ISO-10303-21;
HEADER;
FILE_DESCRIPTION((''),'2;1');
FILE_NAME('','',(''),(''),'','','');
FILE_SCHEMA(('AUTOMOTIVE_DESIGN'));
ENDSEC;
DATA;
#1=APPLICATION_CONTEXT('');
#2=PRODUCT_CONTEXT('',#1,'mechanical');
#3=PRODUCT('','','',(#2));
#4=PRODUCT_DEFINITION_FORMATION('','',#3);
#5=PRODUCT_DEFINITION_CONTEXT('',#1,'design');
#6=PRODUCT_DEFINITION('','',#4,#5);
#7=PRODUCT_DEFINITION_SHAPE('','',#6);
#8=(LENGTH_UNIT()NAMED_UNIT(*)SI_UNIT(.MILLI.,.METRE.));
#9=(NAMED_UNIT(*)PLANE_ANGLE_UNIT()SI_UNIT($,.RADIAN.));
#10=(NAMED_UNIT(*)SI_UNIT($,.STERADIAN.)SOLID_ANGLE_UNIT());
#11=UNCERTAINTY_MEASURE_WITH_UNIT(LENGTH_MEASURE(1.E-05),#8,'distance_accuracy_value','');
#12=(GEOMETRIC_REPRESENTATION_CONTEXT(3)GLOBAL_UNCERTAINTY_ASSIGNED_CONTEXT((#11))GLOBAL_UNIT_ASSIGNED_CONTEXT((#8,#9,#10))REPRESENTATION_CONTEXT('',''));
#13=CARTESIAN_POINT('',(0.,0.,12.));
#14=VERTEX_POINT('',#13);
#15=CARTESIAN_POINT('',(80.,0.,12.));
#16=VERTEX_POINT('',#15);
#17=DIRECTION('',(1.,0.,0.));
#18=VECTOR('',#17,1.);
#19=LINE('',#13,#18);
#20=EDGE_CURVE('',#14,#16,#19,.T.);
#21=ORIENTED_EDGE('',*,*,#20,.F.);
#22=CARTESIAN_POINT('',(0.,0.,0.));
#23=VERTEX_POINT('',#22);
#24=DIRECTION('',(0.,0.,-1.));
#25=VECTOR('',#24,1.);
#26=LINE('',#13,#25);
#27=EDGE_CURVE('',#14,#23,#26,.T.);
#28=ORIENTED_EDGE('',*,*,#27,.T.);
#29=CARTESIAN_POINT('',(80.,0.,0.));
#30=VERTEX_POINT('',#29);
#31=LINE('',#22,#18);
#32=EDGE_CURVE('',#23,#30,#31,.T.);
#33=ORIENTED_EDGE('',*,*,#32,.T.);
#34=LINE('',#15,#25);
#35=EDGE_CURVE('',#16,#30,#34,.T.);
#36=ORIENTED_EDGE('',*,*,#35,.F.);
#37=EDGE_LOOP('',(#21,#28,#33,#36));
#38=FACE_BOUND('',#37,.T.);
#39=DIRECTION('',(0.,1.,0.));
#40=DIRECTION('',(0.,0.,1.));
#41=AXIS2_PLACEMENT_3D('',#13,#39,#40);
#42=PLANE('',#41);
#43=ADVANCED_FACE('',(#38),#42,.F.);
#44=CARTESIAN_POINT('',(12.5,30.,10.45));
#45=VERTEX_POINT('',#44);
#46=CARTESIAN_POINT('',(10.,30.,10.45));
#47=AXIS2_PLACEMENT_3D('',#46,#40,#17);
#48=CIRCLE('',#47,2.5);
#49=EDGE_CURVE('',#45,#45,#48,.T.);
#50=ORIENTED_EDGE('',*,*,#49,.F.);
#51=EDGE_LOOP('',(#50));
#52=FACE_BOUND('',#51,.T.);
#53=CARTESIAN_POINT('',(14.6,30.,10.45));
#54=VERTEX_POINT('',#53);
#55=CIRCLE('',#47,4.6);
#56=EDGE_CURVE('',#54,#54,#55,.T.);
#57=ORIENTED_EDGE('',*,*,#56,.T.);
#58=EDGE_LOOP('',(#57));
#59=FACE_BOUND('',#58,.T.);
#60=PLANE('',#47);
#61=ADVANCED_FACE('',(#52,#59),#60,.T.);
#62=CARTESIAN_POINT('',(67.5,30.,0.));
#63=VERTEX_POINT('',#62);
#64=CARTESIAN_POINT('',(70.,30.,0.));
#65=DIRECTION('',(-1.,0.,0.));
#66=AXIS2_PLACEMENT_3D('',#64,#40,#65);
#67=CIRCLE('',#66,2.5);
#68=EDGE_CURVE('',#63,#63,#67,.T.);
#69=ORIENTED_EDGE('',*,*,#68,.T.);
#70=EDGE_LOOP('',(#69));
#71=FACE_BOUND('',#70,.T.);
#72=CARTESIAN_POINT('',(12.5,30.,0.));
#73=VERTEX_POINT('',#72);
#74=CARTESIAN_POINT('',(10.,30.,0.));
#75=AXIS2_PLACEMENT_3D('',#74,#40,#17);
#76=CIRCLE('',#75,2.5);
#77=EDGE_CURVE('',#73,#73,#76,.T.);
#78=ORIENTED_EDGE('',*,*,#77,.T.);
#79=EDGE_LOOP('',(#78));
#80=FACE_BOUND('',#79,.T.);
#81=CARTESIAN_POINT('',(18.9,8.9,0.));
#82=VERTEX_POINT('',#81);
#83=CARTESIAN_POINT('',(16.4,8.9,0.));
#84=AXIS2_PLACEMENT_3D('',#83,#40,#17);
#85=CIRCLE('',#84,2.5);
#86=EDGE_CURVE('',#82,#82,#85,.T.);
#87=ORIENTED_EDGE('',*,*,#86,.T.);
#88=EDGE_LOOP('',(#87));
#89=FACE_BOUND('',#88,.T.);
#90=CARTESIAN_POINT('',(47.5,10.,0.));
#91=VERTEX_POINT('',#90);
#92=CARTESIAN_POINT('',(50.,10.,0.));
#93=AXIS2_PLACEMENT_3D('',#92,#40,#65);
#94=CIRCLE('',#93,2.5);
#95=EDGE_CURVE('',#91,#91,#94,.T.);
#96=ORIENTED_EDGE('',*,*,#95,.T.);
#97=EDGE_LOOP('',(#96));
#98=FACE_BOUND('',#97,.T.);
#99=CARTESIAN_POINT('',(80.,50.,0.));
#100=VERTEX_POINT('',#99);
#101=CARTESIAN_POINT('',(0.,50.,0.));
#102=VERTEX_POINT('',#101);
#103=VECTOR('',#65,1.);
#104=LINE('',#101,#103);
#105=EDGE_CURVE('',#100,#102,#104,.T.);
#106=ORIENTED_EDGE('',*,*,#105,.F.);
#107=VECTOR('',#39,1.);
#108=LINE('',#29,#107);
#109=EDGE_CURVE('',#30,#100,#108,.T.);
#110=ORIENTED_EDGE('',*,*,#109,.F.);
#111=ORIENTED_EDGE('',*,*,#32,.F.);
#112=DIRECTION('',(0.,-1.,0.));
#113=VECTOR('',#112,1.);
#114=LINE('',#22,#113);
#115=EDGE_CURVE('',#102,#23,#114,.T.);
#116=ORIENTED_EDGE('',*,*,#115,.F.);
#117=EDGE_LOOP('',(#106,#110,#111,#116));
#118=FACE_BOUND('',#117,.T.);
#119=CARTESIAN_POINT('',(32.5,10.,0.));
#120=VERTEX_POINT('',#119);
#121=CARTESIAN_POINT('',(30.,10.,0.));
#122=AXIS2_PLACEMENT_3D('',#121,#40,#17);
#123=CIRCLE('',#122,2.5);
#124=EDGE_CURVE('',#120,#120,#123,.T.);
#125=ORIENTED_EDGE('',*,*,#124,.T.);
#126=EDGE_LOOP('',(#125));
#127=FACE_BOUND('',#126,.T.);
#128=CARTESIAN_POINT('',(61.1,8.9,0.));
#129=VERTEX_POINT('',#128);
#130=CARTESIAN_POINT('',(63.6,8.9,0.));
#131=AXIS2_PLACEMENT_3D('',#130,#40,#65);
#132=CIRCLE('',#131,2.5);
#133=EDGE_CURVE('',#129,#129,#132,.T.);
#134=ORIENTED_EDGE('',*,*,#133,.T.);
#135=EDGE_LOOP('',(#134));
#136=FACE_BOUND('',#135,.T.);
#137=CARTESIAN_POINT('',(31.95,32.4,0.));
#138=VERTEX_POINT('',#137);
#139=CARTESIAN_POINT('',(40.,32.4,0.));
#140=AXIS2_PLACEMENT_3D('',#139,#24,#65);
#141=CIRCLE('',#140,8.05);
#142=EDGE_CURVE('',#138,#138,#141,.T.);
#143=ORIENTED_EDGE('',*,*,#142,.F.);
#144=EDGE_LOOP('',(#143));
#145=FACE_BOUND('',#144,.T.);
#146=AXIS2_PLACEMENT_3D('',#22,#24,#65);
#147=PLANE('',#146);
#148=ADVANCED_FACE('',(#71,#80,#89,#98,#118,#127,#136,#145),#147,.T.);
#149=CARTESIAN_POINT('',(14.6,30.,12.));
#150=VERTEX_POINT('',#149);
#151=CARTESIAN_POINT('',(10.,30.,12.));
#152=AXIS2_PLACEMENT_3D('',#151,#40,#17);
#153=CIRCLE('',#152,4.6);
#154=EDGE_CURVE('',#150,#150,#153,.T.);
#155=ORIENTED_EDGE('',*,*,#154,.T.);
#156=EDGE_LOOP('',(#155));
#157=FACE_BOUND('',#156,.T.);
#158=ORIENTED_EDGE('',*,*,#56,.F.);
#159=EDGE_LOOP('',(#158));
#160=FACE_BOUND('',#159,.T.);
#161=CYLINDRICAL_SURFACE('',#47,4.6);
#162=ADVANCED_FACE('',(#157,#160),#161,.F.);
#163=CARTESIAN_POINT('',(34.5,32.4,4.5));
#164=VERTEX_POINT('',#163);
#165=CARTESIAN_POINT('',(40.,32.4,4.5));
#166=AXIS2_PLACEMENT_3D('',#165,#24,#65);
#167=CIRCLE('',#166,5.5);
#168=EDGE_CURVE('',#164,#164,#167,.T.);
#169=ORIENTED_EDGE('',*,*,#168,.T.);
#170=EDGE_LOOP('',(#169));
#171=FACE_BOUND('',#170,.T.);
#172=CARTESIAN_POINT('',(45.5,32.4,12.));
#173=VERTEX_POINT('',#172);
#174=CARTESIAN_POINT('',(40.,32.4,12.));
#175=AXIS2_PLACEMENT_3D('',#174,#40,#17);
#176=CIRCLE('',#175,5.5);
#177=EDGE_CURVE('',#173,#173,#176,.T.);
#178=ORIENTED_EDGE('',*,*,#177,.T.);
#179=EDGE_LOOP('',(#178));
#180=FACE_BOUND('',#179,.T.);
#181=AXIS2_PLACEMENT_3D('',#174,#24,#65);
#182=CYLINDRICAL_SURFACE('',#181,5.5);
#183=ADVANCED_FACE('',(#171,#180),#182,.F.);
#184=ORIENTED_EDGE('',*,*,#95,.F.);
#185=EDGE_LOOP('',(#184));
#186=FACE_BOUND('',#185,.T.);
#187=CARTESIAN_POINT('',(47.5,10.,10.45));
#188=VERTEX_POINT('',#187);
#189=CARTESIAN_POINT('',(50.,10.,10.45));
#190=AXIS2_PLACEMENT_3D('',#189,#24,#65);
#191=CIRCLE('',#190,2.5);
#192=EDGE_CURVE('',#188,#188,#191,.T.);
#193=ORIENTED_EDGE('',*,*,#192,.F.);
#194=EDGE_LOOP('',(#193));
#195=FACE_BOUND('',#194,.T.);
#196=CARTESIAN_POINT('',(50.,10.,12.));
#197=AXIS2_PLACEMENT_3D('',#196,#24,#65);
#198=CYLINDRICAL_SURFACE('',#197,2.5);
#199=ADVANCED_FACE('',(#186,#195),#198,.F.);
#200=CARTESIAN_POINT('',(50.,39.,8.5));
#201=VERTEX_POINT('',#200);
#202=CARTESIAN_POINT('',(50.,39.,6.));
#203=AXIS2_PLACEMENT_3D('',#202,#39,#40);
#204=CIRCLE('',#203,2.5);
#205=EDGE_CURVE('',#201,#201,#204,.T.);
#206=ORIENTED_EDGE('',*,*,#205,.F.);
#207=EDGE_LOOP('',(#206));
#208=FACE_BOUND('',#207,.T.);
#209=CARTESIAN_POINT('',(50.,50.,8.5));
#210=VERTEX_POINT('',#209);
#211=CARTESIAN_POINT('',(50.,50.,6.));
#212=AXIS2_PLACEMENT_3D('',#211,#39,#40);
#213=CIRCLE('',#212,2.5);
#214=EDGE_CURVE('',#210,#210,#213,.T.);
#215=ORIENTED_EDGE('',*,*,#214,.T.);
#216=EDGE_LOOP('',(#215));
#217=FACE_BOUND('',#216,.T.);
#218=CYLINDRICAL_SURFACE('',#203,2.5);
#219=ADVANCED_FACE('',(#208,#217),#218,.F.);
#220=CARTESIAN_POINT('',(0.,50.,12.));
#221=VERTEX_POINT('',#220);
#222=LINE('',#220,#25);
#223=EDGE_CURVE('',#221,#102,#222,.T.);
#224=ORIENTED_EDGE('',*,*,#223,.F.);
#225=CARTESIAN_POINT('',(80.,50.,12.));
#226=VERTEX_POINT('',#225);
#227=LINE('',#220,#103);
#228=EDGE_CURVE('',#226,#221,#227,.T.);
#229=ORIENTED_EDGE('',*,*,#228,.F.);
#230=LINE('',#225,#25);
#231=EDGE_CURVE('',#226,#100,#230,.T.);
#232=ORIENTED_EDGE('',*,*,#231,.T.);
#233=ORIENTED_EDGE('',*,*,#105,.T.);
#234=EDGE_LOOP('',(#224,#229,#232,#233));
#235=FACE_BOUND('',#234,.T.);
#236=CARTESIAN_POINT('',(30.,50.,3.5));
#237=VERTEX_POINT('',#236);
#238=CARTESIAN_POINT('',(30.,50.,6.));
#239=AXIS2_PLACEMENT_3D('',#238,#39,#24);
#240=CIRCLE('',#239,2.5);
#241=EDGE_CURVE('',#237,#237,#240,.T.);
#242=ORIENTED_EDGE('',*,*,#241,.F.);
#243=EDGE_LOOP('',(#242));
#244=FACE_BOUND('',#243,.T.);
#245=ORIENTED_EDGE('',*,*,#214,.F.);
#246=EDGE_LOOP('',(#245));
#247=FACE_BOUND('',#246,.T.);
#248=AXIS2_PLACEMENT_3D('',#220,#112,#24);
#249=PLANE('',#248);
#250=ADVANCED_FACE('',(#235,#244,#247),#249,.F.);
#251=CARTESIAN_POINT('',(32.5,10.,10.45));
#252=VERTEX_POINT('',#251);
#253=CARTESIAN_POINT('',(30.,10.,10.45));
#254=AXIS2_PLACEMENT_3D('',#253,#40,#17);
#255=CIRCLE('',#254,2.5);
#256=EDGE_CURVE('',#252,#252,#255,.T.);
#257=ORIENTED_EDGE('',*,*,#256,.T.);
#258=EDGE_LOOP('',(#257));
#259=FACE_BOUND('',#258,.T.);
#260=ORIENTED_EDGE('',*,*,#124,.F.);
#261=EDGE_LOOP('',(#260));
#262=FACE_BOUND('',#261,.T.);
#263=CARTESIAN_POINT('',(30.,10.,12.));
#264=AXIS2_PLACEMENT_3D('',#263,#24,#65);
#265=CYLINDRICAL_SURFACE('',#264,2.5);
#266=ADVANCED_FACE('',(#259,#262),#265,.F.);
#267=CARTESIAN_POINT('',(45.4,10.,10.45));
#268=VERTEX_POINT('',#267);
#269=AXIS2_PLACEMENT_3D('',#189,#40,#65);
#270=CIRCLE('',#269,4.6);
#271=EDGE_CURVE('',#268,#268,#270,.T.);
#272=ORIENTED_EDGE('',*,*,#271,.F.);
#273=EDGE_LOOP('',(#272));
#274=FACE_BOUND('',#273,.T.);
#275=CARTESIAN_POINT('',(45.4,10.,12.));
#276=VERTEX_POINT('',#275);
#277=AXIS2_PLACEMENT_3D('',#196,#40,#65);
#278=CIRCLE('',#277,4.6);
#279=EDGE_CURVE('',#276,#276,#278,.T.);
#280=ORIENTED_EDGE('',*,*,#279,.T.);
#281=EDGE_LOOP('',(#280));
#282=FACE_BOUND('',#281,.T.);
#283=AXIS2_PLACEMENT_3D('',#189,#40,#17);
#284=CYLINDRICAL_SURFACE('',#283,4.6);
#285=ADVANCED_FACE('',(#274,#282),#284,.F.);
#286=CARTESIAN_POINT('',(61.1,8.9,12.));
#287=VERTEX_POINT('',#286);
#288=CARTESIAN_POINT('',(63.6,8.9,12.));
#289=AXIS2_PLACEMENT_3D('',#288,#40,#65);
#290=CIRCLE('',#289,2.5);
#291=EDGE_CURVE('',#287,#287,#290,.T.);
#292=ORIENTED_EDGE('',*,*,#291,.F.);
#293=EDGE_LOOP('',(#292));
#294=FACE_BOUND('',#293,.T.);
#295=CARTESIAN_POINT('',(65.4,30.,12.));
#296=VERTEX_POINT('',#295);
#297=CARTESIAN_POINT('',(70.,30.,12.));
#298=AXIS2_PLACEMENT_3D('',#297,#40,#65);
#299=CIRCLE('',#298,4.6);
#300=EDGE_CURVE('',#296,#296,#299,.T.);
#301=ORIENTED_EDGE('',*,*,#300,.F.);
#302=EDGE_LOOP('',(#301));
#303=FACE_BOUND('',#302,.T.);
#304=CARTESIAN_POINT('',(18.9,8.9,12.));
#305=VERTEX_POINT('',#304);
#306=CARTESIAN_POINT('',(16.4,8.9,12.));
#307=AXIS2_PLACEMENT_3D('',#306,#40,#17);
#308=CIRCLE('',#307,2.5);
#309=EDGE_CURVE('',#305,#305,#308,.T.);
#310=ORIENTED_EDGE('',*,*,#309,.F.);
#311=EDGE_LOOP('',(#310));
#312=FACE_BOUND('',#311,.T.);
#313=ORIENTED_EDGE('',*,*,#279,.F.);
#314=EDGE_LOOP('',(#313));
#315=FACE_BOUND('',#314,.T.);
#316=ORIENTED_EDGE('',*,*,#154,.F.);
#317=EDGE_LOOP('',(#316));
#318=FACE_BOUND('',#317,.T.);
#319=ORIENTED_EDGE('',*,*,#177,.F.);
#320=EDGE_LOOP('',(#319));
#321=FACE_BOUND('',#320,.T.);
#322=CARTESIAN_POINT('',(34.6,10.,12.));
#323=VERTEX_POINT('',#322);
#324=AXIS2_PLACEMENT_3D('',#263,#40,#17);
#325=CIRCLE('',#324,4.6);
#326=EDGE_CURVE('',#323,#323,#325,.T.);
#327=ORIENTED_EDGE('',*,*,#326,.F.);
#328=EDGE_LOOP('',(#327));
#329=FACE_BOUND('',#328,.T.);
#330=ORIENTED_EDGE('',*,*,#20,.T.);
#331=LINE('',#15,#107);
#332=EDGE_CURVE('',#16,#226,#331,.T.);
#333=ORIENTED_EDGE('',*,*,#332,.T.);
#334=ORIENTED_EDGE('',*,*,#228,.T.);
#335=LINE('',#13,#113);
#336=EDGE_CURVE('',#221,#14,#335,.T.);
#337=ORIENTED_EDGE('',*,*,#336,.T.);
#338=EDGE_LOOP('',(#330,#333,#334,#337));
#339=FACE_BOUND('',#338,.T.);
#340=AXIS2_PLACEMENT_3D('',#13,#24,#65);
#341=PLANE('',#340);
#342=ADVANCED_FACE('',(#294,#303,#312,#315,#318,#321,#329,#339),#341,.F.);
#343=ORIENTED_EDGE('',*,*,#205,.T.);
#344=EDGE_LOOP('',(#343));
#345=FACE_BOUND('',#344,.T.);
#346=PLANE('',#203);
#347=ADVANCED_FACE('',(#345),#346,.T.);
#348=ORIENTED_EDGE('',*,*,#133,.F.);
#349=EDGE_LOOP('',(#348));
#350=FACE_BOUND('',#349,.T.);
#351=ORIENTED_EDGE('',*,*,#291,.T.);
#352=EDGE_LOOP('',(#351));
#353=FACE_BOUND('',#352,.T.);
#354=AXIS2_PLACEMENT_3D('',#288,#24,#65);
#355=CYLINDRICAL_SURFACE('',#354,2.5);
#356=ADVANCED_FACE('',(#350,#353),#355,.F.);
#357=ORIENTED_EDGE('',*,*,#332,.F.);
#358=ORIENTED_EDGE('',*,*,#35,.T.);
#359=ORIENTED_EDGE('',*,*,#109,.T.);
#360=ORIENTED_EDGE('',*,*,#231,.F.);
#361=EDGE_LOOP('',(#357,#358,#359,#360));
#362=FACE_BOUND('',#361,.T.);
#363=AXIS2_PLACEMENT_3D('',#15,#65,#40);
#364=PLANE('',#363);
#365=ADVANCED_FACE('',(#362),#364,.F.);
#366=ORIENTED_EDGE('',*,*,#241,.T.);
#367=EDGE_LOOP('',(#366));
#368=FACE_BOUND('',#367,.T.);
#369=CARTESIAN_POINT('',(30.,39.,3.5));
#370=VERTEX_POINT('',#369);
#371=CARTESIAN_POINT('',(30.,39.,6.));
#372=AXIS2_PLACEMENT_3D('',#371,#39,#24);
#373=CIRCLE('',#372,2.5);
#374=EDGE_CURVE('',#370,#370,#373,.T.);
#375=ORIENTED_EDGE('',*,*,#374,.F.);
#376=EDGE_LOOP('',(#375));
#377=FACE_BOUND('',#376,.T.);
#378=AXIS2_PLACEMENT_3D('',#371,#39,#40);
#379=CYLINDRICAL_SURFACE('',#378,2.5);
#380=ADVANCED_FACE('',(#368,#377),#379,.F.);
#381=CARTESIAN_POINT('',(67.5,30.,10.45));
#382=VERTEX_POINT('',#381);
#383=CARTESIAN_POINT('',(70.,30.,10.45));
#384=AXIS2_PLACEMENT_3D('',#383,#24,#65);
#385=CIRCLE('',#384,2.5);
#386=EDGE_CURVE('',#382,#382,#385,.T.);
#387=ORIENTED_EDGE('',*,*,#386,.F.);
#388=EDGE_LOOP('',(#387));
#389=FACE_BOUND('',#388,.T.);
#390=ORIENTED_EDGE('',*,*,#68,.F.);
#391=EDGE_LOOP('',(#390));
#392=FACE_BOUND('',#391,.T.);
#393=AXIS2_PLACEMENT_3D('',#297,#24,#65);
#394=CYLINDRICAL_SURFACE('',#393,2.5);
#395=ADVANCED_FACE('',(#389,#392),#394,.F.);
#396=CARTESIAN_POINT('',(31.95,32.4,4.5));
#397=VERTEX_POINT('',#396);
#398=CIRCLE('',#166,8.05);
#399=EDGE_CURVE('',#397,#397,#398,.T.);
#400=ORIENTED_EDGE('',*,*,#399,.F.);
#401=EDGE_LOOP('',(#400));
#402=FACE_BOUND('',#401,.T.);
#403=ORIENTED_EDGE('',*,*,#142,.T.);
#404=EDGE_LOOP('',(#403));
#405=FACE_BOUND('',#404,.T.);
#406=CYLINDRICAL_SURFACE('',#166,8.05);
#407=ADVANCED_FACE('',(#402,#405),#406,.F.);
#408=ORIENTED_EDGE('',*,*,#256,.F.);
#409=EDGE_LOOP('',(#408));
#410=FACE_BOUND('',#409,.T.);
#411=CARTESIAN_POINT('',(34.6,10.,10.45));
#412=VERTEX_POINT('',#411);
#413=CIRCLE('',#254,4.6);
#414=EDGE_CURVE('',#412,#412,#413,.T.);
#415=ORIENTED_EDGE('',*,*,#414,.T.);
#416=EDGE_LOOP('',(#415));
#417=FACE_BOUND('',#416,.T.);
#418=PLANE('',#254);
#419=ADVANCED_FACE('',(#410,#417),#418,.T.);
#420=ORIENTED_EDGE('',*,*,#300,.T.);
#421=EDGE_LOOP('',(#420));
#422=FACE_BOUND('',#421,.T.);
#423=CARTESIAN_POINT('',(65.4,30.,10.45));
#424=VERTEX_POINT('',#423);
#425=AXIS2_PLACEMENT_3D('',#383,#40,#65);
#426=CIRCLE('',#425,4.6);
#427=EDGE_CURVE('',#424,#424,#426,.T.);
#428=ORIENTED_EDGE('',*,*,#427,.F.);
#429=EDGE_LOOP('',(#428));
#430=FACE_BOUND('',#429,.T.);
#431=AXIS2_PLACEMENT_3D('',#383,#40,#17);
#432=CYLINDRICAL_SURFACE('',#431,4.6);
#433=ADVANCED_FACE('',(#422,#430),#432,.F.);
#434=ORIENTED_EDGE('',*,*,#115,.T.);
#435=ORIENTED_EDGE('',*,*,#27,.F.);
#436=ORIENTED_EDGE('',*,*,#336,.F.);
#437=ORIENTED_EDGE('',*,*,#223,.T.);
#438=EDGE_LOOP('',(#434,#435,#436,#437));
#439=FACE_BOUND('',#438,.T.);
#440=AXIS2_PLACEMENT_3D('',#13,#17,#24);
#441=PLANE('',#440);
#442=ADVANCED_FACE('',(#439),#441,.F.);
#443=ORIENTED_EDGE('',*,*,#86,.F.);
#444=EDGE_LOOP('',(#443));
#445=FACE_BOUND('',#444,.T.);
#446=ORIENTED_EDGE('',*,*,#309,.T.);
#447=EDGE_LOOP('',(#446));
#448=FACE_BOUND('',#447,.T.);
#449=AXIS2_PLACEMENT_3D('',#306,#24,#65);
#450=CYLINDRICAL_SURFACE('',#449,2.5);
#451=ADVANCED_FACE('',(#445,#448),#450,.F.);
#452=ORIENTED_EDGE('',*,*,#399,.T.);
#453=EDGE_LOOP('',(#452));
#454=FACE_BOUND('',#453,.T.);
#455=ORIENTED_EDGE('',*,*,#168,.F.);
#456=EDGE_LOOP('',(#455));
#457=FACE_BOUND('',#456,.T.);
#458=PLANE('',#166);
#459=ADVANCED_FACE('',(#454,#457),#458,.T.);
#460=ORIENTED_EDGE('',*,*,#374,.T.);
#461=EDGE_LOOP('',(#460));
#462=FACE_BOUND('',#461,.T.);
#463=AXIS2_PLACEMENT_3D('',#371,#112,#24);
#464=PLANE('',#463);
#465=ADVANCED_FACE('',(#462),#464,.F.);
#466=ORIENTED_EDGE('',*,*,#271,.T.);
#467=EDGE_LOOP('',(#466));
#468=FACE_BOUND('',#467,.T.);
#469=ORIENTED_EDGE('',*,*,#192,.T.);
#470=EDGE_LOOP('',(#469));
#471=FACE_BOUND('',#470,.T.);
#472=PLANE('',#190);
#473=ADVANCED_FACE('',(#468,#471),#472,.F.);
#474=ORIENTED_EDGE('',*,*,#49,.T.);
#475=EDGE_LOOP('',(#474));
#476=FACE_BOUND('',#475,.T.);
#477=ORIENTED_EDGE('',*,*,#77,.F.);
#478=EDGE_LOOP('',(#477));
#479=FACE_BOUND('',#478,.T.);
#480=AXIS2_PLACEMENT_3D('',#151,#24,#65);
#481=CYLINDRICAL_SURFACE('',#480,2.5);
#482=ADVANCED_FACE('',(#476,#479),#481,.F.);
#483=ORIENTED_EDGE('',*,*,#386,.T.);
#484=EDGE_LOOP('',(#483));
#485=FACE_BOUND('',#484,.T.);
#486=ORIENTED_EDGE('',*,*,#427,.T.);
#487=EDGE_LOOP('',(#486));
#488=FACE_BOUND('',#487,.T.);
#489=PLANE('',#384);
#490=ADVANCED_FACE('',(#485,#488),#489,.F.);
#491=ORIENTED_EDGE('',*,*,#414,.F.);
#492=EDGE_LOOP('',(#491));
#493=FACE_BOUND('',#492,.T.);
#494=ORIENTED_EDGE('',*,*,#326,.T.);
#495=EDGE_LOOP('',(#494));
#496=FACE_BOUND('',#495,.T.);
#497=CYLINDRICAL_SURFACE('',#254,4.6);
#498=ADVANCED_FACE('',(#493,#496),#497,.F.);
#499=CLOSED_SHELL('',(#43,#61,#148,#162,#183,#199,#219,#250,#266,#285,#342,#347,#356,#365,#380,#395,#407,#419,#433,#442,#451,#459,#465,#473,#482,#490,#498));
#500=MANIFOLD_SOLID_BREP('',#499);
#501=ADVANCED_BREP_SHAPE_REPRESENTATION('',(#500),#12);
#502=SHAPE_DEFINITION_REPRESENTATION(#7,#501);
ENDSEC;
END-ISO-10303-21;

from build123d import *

# Parameters (mm, degrees)
SKETCH1_W           = 80
SKETCH1_H           = 50
SKETCH1_R           = 5.5
SKETCH1_R_2         = 2.5
BOSS_EXTRUDE1_DEPTH = 12
SKETCH2_R           = 4.6
CUT_EXTRUDE1_DEPTH  = 1.55
SKETCH3_R           = 8.05
CUT_EXTRUDE2_DEPTH  = 4.5
SKETCH4_R           = 2.5
CUT_EXTRUDE3_DEPTH  = 11


with BuildPart() as part:
    # Sketch1 → Boss-Extrude1 (new body)
    with BuildSketch(Plane.XY):
        with Locations((40, 25)):
            Rectangle(SKETCH1_W, SKETCH1_H)
        with Locations((40, 32.4)):
            Circle(SKETCH1_R, mode=Mode.SUBTRACT)
        with Locations((10, 30)):
            Circle(SKETCH1_R_2, mode=Mode.SUBTRACT)
        with Locations((70, 30)):
            Circle(SKETCH1_R_2, mode=Mode.SUBTRACT)
        with Locations((30, 10)):
            Circle(SKETCH1_R_2, mode=Mode.SUBTRACT)
        with Locations((50, 10)):
            Circle(SKETCH1_R_2, mode=Mode.SUBTRACT)
        with Locations((16.4, 8.9)):
            Circle(SKETCH1_R_2, mode=Mode.SUBTRACT)
        with Locations((63.6, 8.9)):
            Circle(SKETCH1_R_2, mode=Mode.SUBTRACT)
    extrude(amount=BOSS_EXTRUDE1_DEPTH)

    # Sketch2 → Cut-Extrude1 (cut)
    with BuildSketch(Plane.XY.offset(12)):
        with Locations((10, 30)):
            Circle(SKETCH2_R)
        with Locations((70, 30)):
            Circle(SKETCH2_R)
        with Locations((30, 10)):
            Circle(SKETCH2_R)
        with Locations((50, 10)):
            Circle(SKETCH2_R)
    extrude(amount=-CUT_EXTRUDE1_DEPTH, mode=Mode.SUBTRACT)

    # Sketch3 → Cut-Extrude2 (cut)
    with BuildSketch(Plane(origin=(0, 0, 0), x_dir=(-1, 0, 0), z_dir=(0, 0, -1))):
        with Locations((-40, 32.4)):
            Circle(SKETCH3_R)
    extrude(amount=-CUT_EXTRUDE2_DEPTH, mode=Mode.SUBTRACT)

    # Sketch4 → Cut-Extrude3 (cut)
    with BuildSketch(Plane(origin=(0, 50, 0), x_dir=(1, 0, 0), z_dir=(0, 1, 0))):
        with Locations((50, -6)):
            Circle(SKETCH4_R)
        with Locations((30, -6)):
            Circle(SKETCH4_R)
    extrude(amount=-CUT_EXTRUDE3_DEPTH, mode=Mode.SUBTRACT)


solid = part.part
